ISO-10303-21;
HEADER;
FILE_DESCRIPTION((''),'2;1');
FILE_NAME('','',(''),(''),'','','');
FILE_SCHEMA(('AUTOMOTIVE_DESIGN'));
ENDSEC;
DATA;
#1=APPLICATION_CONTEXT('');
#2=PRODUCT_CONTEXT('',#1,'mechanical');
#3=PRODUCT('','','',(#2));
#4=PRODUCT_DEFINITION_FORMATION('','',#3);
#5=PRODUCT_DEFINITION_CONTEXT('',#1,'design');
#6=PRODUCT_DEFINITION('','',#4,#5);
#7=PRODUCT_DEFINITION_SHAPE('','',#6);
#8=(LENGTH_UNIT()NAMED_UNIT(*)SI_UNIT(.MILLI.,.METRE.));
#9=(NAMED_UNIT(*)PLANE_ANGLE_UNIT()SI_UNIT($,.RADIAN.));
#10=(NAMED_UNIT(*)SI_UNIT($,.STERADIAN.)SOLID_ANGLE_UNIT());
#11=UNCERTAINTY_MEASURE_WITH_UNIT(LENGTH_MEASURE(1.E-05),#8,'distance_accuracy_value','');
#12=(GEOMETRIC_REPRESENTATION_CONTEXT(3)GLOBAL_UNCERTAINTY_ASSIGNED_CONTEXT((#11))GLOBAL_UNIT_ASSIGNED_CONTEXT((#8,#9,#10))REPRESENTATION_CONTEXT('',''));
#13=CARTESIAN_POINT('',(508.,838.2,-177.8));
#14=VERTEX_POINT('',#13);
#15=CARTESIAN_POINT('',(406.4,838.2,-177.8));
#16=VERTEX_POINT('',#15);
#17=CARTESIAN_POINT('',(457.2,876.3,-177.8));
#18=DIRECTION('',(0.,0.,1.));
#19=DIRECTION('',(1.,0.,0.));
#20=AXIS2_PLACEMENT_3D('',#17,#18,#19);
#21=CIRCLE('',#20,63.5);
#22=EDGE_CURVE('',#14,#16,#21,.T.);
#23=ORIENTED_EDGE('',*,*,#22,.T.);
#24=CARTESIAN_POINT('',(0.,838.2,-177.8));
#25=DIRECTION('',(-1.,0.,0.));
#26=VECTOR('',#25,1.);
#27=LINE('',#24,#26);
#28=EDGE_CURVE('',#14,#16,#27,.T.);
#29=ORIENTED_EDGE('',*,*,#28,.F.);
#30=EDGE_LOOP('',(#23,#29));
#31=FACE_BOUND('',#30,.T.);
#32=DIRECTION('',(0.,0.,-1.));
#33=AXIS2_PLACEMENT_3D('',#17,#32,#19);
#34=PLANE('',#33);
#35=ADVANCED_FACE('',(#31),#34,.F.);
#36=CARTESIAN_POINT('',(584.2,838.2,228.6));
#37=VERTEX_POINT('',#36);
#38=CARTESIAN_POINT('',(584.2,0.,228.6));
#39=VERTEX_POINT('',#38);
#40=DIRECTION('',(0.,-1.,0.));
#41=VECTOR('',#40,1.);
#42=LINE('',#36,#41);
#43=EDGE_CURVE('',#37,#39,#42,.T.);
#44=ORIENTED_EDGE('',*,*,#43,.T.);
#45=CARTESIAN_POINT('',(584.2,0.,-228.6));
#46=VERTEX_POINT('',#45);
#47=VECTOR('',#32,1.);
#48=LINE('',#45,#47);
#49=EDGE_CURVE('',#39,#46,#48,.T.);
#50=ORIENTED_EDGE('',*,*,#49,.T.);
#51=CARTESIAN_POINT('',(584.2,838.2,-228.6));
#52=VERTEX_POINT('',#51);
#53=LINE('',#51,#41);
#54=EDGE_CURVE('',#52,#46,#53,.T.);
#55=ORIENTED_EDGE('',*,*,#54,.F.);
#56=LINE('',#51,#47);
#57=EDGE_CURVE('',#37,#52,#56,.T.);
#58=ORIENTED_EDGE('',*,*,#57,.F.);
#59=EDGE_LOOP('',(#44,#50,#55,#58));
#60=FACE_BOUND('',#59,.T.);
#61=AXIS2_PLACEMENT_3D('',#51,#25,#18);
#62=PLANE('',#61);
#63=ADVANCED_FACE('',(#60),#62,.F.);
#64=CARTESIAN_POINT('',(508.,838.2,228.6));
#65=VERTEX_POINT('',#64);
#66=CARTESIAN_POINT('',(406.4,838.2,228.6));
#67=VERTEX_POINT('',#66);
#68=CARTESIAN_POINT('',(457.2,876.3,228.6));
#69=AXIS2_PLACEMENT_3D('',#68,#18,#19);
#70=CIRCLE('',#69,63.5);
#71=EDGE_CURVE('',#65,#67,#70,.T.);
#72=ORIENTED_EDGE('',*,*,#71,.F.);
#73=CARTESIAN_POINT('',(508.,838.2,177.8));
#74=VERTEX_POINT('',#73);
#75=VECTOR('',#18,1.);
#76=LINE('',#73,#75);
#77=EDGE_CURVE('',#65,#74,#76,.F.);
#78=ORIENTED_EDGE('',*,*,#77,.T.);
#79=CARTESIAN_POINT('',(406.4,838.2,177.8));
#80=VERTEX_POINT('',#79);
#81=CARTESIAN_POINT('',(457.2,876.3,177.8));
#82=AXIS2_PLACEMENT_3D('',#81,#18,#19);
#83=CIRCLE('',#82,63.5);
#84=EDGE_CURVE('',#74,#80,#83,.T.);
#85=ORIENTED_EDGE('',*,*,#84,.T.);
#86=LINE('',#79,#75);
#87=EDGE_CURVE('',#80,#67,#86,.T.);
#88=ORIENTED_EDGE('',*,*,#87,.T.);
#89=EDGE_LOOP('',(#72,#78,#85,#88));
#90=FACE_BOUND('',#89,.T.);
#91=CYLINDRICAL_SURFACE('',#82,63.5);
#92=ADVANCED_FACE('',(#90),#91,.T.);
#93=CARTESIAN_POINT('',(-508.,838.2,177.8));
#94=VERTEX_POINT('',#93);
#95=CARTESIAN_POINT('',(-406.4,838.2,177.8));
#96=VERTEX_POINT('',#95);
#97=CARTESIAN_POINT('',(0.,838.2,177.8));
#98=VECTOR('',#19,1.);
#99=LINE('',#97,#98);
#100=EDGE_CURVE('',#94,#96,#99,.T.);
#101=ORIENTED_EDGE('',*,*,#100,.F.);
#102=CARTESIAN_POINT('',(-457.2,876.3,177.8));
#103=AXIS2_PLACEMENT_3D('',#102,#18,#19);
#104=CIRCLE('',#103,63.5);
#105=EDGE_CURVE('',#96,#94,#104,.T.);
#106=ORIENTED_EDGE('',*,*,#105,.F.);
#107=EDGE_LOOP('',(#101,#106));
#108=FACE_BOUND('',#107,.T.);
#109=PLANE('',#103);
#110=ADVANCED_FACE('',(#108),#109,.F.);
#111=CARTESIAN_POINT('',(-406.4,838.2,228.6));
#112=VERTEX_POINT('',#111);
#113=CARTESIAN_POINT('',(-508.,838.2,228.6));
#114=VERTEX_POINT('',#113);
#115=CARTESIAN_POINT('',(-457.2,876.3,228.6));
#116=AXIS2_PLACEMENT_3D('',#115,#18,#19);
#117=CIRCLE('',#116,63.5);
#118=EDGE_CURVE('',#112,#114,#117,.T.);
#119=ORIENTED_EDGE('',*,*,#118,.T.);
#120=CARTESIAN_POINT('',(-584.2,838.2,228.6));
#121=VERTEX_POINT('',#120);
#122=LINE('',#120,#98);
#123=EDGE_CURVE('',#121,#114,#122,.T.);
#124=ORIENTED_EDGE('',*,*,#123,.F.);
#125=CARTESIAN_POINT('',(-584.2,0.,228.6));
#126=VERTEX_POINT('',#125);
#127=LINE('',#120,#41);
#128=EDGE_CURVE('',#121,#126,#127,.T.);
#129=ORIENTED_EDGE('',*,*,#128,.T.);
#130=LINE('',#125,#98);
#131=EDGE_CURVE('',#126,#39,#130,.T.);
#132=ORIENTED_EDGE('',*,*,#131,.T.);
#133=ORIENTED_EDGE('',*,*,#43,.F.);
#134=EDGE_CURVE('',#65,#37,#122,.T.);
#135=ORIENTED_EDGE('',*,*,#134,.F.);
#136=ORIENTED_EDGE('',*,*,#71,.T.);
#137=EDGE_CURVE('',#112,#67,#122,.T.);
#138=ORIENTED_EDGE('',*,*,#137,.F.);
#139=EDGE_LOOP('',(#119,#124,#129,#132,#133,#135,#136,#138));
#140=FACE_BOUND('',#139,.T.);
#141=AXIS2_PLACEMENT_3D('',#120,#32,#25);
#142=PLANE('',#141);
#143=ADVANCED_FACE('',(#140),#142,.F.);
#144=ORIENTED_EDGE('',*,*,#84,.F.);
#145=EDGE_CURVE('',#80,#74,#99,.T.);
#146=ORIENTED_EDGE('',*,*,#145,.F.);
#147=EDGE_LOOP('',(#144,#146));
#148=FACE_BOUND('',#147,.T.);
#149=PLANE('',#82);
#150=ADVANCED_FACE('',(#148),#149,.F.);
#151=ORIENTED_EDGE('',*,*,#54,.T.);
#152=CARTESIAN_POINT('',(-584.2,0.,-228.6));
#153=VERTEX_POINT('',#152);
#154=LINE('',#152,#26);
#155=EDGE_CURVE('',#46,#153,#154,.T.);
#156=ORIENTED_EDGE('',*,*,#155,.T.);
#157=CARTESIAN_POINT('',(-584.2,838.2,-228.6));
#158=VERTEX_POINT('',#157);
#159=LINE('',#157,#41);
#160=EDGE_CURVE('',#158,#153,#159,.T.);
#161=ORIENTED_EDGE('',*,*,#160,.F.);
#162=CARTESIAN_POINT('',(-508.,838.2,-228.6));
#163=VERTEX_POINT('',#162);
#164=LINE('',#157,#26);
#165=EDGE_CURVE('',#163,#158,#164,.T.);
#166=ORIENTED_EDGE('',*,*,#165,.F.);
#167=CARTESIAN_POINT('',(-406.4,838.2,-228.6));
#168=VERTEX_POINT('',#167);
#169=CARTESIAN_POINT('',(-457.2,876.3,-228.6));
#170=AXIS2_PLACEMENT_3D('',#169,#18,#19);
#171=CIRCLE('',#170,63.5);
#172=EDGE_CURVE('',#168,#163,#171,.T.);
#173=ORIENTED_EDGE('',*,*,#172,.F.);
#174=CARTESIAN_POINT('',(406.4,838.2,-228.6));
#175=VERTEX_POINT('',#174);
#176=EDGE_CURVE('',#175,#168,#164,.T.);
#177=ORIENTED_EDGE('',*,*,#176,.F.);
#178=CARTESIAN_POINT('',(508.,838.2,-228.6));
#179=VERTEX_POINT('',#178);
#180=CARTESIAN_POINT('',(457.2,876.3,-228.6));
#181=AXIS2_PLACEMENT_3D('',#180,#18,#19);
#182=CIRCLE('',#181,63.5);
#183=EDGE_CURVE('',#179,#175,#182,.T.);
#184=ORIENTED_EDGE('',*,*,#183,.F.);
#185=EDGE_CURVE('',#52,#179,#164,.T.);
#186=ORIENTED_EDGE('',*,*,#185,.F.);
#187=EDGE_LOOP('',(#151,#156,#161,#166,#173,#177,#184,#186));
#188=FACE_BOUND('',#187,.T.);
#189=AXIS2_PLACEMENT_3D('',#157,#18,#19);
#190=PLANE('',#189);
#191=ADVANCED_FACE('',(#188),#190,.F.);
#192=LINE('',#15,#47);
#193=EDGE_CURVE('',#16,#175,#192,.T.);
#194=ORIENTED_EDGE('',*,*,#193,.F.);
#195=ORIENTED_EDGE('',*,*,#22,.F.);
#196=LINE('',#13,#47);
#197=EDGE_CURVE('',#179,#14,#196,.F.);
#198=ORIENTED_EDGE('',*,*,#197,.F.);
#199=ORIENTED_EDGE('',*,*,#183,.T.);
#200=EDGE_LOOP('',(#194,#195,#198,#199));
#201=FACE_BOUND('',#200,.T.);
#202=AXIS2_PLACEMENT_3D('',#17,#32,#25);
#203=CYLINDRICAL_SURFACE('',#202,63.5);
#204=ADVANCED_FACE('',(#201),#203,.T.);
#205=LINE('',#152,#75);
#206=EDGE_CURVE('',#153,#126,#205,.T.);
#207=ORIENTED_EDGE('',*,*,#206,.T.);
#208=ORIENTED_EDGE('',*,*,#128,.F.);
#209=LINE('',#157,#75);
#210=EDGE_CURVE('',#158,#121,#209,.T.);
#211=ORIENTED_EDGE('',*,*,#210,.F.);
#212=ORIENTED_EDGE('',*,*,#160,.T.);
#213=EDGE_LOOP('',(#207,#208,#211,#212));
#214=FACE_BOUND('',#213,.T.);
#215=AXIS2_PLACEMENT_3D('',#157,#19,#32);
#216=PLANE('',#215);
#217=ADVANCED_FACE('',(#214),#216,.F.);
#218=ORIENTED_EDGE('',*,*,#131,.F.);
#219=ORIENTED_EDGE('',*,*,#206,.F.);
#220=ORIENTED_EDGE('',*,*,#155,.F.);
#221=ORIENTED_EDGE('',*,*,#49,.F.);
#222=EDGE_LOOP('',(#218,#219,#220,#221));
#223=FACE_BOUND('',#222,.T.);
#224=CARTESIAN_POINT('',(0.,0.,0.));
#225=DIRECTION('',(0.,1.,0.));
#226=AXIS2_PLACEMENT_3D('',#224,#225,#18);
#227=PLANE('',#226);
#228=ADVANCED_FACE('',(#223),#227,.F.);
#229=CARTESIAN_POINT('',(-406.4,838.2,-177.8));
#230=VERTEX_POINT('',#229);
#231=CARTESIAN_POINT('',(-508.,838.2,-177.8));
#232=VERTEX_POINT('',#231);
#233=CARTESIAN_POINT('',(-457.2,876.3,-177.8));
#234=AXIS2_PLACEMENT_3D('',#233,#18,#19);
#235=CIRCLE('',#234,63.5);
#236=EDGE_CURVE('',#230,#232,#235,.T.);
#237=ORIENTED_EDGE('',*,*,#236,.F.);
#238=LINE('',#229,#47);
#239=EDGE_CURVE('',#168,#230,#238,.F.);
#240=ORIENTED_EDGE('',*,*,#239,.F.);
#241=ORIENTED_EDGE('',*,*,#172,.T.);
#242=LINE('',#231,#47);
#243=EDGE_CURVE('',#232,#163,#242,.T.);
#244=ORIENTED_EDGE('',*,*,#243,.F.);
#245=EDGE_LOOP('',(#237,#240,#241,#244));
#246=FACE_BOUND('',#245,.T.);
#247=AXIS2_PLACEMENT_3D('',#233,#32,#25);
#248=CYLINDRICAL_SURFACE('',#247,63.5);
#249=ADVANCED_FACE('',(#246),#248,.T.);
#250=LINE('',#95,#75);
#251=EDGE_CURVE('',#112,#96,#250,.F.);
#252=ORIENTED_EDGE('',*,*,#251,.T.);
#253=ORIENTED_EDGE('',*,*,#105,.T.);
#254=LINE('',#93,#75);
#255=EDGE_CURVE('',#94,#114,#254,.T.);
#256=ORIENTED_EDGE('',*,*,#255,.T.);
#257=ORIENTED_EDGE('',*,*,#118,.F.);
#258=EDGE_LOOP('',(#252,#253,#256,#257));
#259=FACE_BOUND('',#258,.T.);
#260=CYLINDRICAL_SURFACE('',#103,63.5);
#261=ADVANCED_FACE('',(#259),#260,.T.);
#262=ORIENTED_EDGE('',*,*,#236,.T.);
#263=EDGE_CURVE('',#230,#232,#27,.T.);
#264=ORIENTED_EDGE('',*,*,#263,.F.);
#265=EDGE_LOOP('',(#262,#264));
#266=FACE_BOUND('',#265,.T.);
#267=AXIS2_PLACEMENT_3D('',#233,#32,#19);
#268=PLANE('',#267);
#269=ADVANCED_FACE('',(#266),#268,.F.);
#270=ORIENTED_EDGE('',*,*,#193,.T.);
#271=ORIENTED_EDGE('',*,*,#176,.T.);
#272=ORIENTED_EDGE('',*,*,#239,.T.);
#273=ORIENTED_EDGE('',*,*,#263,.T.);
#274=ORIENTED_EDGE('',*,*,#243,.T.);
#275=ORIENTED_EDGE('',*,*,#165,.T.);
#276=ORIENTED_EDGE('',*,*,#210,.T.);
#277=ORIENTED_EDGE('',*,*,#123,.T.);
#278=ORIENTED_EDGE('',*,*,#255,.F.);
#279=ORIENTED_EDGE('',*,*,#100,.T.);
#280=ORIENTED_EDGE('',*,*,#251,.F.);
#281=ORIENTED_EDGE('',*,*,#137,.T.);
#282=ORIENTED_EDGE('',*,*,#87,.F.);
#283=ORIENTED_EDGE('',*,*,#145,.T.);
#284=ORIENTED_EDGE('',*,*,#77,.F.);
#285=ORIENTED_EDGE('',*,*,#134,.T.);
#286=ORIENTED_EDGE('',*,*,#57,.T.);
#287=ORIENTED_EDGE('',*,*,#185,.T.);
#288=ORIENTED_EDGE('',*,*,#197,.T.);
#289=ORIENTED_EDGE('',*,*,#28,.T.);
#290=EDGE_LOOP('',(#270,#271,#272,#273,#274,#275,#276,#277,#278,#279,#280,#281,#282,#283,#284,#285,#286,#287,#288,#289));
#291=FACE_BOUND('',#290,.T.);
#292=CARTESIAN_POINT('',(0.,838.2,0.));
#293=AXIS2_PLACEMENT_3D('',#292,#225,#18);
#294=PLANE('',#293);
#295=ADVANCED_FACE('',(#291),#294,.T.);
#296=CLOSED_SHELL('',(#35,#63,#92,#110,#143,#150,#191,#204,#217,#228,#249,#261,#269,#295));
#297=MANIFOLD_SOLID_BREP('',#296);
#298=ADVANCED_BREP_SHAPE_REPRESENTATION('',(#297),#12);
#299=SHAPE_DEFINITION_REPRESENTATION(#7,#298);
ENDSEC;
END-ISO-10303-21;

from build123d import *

# Parameters (mm, degrees)
SKETCH1_W           = 1168.4
SKETCH1_H           = 457.2
BOSS_EXTRUDE1_DEPTH = 838.2
SKETCH2_R           = 63.5
BOSS_EXTRUDE2_DEPTH = 50.8


with BuildPart() as part:
    # Sketch1 → Boss-Extrude1 (new body)
    with BuildSketch(Plane(origin=(0, 0, 0), x_dir=(1, 0, 0), z_dir=(0, 1, 0))):
        Rectangle(SKETCH1_W, SKETCH1_H)
    extrude(amount=BOSS_EXTRUDE1_DEPTH)

    # Sketch2 → Boss-Extrude2 (add)
    with BuildSketch(Plane.XY.offset(228.6)):
        with Locations((-457.2, 876.3)):
            Circle(SKETCH2_R)
        with Locations((457.2, 876.3)):
            Circle(SKETCH2_R)
    boss_extrude2 = extrude(amount=-BOSS_EXTRUDE2_DEPTH)

    # Mirror1: Boss-Extrude2 across plane
    add(boss_extrude2.mirror(Plane.XY))


solid = part.part
